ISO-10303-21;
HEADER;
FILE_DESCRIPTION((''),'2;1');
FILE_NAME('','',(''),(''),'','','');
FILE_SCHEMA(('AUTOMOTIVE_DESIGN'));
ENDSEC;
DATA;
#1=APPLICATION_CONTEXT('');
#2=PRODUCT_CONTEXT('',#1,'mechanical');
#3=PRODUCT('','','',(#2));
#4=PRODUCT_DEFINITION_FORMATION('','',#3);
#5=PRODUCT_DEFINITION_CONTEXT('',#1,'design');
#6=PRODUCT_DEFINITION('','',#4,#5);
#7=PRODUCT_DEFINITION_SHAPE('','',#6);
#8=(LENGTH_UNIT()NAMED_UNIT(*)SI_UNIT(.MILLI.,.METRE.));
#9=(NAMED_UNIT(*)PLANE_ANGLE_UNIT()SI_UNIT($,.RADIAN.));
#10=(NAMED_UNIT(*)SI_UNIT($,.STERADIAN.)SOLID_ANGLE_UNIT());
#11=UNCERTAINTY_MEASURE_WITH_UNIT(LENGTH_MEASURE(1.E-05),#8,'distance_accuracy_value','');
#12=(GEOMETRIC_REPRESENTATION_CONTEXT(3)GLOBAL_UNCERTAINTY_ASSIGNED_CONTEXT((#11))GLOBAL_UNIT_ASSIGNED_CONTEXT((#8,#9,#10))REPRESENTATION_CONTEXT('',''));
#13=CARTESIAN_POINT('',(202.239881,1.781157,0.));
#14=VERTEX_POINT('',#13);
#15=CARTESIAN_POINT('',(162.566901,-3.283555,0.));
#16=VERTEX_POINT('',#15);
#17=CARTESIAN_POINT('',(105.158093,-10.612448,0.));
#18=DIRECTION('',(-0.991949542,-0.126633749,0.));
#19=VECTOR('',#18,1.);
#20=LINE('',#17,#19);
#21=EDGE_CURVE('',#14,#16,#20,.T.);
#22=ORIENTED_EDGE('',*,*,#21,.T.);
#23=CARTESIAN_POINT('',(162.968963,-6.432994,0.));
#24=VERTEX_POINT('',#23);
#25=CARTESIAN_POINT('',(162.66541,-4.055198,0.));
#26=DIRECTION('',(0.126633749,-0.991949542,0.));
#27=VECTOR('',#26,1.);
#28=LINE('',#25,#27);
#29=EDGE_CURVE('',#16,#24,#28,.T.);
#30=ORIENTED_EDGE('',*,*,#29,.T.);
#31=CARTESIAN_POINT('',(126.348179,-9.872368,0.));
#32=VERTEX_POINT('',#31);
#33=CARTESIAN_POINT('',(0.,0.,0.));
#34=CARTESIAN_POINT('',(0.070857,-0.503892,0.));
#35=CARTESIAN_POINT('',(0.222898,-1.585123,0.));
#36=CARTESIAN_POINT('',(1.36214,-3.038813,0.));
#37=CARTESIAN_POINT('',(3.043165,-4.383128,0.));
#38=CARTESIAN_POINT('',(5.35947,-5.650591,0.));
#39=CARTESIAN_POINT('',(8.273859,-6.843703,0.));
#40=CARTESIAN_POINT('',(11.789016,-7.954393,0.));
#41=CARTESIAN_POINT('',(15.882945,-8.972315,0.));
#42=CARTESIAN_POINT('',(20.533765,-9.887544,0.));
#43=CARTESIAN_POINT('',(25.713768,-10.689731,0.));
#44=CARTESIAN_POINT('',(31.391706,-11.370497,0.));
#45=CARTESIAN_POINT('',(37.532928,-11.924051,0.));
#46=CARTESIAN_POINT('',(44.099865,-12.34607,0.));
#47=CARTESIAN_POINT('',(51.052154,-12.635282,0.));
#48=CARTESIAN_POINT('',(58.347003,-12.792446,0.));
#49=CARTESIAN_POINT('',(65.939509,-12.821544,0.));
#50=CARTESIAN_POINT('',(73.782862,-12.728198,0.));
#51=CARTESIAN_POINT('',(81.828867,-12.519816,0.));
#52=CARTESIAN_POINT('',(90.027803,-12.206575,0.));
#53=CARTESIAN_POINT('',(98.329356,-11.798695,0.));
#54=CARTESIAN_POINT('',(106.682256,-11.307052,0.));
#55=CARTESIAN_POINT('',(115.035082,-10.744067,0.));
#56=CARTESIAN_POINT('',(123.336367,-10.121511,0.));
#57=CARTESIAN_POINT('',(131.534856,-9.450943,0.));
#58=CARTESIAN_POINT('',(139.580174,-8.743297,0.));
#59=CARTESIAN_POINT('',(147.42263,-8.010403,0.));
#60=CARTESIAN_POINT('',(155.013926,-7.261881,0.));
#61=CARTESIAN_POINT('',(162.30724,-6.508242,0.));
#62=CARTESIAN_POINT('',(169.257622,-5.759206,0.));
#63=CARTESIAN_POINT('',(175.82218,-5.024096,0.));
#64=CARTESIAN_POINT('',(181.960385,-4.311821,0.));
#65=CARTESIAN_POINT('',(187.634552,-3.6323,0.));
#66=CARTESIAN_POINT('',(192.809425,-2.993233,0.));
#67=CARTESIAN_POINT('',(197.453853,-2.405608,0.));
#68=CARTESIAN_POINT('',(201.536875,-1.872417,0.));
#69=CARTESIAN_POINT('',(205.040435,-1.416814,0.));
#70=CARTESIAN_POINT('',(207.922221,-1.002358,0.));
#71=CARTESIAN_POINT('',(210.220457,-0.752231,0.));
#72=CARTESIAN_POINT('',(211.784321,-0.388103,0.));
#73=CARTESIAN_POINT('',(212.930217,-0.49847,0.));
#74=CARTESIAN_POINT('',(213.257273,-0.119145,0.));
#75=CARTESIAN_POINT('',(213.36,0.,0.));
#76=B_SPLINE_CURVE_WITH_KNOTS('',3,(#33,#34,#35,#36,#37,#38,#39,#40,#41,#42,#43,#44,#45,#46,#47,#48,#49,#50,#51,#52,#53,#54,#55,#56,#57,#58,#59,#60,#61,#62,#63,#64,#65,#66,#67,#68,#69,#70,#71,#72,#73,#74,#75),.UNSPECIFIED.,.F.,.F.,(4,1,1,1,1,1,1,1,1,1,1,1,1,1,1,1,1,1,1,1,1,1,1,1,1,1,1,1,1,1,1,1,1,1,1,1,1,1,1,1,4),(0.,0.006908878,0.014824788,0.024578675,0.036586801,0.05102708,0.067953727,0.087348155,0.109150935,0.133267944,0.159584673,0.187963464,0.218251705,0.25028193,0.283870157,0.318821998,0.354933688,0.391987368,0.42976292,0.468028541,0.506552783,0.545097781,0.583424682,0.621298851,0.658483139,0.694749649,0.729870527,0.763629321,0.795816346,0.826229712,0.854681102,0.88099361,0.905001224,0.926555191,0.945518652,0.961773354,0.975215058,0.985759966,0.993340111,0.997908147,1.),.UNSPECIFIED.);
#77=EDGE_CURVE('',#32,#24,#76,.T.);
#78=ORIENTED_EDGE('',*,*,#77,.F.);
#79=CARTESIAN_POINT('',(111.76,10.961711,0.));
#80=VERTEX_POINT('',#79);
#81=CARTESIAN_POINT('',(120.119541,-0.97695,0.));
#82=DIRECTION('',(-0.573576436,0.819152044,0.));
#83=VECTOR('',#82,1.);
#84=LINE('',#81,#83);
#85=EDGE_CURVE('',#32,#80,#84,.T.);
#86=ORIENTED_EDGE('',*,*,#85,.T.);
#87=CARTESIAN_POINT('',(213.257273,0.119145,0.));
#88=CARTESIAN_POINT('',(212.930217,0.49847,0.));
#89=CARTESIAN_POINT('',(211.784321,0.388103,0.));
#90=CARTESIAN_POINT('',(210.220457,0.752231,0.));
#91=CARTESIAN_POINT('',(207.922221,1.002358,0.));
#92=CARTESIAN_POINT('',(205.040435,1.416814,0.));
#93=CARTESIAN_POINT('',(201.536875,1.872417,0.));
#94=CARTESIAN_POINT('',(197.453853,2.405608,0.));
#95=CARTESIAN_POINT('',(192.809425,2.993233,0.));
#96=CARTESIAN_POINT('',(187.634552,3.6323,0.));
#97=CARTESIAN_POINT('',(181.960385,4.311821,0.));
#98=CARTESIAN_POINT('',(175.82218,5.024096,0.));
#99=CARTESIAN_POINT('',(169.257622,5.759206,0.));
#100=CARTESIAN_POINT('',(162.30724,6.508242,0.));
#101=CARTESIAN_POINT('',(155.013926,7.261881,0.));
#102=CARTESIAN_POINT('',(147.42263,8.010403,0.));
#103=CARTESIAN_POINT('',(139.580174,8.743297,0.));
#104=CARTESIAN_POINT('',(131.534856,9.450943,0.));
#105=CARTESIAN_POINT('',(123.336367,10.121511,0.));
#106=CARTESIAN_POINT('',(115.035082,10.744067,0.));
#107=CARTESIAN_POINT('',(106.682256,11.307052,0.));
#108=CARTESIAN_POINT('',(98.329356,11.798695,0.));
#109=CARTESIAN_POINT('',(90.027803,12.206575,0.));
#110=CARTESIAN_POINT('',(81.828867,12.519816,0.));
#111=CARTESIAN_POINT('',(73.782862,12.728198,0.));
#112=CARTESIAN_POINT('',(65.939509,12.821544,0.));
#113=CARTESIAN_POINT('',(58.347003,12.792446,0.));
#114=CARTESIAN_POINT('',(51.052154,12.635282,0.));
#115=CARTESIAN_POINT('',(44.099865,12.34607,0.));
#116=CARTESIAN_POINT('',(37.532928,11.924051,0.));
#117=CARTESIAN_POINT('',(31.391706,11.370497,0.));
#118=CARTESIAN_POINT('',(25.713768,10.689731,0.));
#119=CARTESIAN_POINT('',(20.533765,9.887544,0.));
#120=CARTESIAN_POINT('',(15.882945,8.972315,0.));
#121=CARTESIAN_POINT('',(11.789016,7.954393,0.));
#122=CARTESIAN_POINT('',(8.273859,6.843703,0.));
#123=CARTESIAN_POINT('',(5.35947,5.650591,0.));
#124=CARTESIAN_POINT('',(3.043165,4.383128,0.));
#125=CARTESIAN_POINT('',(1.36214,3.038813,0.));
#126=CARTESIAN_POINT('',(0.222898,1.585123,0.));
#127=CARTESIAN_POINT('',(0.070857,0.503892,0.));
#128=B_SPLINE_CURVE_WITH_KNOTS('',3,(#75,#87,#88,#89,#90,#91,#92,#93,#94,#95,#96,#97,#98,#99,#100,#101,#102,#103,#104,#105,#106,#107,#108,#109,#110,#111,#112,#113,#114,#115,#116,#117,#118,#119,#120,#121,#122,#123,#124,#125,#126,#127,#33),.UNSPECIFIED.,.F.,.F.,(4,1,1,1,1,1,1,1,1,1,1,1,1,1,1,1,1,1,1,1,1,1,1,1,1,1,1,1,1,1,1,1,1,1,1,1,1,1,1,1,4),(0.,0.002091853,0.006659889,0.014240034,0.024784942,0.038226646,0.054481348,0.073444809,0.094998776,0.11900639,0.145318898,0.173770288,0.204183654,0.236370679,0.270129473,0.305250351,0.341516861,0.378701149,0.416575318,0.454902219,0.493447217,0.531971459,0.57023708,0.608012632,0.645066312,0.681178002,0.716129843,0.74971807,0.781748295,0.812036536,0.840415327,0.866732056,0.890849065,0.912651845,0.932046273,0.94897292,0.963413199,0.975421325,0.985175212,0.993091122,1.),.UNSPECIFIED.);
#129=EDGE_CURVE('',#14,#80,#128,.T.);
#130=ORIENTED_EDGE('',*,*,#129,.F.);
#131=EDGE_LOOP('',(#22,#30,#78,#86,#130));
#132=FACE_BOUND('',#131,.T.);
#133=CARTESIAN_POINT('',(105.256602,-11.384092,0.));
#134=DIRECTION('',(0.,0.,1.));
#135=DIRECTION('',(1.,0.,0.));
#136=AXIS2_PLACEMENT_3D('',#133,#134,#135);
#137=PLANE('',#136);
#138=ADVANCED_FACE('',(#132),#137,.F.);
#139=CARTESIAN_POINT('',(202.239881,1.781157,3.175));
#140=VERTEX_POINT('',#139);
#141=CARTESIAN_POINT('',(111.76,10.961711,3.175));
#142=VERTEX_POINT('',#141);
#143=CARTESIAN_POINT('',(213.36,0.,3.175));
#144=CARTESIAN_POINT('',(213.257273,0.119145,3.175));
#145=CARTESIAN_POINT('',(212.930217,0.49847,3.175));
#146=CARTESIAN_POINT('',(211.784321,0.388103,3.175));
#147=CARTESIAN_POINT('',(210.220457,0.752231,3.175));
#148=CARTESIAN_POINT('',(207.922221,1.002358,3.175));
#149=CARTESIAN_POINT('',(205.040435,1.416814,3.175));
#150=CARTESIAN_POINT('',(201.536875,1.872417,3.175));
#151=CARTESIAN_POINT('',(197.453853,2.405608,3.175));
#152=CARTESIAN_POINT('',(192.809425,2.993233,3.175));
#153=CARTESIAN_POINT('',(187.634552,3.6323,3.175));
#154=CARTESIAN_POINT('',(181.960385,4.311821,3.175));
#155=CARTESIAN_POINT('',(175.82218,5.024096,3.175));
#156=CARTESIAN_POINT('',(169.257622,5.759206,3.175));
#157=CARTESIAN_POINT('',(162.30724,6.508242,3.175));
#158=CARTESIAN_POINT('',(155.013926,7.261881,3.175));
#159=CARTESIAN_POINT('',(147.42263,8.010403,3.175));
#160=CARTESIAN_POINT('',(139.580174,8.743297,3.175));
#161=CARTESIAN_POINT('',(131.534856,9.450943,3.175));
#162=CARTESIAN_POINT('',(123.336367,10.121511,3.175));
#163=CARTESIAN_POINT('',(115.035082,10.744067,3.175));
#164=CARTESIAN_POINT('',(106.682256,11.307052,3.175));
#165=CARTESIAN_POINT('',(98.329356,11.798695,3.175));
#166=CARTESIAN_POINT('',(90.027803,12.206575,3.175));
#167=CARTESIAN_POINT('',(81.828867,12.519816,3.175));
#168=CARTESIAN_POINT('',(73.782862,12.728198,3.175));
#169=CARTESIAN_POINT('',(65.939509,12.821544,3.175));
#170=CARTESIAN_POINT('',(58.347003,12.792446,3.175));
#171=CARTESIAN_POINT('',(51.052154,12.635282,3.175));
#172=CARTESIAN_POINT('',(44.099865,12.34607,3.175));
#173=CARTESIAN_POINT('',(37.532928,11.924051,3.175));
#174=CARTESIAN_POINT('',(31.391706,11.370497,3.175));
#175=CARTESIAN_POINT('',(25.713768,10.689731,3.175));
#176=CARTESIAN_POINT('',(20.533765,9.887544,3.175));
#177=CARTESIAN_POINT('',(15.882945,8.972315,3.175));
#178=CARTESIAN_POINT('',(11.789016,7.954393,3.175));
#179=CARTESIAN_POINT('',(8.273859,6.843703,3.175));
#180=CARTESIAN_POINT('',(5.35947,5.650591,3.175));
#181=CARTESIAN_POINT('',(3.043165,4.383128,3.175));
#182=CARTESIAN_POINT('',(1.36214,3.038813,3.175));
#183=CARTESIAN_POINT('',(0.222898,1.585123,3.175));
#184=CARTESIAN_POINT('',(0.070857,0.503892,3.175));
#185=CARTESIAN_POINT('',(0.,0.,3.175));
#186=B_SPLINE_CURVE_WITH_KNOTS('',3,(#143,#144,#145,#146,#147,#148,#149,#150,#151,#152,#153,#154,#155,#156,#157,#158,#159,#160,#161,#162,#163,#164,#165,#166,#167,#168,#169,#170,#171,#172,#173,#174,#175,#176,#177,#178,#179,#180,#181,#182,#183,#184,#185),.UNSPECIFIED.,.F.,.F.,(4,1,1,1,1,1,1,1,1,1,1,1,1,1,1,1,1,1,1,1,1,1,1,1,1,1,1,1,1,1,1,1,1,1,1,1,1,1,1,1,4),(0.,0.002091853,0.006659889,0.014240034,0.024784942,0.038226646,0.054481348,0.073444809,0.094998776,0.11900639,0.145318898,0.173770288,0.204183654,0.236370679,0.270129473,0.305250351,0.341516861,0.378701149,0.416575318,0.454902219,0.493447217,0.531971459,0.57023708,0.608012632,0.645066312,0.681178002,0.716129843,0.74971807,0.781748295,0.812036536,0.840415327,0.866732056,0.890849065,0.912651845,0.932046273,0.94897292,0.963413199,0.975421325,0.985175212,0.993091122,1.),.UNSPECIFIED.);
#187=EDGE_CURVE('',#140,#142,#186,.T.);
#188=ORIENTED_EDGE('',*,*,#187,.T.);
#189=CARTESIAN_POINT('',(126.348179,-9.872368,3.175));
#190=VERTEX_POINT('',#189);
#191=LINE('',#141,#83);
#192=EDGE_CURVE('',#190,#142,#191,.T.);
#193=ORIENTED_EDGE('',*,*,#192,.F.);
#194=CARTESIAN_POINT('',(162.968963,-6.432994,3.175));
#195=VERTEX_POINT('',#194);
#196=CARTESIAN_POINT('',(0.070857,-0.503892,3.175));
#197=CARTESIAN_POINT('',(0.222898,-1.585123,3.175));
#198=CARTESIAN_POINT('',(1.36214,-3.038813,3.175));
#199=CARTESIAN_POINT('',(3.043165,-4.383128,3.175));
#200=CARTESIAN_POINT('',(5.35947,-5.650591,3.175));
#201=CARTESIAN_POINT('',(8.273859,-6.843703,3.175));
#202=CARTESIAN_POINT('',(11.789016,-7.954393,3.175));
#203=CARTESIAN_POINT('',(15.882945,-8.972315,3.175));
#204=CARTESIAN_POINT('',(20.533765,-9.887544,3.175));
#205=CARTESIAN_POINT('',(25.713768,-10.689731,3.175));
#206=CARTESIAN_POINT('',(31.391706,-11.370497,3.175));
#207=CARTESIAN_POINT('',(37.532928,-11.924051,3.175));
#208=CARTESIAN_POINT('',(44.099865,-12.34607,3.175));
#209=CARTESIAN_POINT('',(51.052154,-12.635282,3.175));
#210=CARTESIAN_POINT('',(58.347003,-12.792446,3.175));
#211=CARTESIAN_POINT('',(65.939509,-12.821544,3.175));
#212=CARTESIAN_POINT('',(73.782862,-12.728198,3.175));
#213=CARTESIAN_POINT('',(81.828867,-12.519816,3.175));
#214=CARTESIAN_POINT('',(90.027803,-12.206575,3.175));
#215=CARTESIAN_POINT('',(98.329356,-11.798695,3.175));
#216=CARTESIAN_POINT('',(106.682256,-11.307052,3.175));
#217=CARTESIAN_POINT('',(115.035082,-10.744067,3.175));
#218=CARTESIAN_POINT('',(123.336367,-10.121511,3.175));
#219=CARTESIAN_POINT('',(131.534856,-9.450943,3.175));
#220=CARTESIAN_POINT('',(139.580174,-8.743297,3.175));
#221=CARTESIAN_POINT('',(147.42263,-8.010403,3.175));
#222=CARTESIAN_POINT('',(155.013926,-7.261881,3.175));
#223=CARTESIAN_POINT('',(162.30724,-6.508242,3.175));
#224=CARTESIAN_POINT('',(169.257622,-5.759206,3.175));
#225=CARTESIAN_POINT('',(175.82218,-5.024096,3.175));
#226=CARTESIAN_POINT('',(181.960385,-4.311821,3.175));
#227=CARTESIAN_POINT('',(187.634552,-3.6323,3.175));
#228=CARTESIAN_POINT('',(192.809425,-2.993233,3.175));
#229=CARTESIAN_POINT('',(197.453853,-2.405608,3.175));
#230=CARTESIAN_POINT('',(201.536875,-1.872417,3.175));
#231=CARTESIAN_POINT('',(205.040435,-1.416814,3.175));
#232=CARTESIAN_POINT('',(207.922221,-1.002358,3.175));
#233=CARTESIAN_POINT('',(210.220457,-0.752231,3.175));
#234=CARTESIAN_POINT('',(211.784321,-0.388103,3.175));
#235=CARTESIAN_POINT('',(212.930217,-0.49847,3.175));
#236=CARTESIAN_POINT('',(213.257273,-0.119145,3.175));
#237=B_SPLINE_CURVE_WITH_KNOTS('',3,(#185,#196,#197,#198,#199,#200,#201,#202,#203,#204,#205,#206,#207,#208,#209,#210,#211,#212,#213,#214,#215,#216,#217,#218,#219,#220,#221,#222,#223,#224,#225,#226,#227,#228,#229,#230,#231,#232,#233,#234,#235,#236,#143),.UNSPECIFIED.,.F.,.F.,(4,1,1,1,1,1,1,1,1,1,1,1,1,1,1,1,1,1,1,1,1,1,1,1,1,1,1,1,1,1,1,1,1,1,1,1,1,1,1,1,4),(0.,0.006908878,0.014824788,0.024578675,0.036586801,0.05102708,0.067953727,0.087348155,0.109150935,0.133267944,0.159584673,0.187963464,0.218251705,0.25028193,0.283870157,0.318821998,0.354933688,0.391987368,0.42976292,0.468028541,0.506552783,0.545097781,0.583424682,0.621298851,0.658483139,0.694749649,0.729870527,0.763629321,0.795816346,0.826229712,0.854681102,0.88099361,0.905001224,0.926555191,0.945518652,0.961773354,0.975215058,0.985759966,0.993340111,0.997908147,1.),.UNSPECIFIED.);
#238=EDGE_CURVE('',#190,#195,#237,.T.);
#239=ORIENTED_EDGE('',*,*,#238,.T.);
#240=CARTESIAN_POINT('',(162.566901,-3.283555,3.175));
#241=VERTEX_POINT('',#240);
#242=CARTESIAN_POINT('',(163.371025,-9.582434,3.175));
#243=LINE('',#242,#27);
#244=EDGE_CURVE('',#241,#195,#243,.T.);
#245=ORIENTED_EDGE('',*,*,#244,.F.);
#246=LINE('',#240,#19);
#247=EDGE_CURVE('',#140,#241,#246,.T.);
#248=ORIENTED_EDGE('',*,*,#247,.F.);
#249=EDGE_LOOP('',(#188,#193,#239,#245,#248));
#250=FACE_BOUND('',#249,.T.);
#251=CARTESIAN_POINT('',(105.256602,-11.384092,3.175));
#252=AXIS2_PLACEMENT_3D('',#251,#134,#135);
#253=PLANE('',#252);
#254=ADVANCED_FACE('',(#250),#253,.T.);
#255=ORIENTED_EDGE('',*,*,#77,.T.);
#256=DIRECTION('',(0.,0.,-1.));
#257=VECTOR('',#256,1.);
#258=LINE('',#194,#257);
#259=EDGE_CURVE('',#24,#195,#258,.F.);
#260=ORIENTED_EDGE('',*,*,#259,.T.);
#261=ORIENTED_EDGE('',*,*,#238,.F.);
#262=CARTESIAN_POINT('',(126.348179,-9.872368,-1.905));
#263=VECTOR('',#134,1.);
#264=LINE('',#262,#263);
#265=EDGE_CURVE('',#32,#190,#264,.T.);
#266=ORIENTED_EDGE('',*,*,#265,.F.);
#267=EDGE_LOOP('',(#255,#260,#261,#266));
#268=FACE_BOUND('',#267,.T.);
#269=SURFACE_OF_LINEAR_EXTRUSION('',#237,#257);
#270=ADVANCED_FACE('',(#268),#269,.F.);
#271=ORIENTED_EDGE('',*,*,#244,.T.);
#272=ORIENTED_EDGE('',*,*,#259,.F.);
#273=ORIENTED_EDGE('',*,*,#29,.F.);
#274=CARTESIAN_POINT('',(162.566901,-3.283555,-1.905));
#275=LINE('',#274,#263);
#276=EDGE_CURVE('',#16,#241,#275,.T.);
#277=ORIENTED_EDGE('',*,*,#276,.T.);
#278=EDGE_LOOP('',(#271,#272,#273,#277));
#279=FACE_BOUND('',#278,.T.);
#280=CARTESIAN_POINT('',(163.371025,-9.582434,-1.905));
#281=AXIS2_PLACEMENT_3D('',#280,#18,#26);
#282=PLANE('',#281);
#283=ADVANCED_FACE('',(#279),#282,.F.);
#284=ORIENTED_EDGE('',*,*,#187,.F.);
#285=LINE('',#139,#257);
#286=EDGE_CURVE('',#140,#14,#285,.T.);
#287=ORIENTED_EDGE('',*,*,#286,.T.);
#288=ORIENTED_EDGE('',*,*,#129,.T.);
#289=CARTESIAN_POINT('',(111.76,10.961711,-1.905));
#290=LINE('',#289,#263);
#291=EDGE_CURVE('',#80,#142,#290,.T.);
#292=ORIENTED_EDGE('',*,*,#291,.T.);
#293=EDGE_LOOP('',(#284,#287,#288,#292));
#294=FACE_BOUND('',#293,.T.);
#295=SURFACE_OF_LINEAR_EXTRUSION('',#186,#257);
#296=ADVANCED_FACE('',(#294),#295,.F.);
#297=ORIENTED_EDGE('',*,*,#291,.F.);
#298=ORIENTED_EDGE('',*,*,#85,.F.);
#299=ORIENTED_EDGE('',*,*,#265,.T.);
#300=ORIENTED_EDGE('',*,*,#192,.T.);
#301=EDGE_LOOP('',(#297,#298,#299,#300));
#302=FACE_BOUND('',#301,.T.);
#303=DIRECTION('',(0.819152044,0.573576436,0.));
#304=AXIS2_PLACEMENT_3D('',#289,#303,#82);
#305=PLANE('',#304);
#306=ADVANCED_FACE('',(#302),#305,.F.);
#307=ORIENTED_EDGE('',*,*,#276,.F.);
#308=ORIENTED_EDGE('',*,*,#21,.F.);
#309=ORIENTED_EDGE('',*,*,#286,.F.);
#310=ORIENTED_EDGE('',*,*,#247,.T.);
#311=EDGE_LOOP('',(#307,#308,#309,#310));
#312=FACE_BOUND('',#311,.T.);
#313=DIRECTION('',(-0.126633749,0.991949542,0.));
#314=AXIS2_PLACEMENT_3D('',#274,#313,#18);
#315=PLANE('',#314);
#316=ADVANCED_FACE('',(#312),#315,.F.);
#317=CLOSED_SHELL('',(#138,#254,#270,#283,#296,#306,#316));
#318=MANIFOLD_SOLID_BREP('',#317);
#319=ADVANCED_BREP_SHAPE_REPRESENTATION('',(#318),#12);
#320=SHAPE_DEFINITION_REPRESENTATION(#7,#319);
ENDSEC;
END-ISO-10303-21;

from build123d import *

# Parameters (mm, degrees)
BOSS_EXTRUDE1_DEPTH = 3.175
CUT_EXTRUDE1_DEPTH  = 5.08


with BuildPart() as part:
    # Sketch2 → Boss-Extrude1 (new body)
    with BuildSketch(Plane.XY):
        with BuildLine():
            add(Edge.make_bspline(
                [(213.36, 0), (213.257272793, 0.119144956), (212.930217359, 0.49847003), (211.784320833, 0.388103102), (210.220456583, 0.752231195), (207.922221089, 1.002358459), (205.040435451, 1.416814194), (201.53687476, 1.872417288), (197.453852985, 2.405608245), (192.809425036, 2.993232985), (187.634552437, 3.632300405), (181.96038472, 4.311820743), (175.822180186, 5.024095776), (169.257621951, 5.759205624), (162.307240439, 6.508241756), (155.013925984, 7.261881453), (147.42262952, 8.010402764), (139.580173762, 8.743297071), (131.534856191, 9.450943444), (123.336366748, 10.121511173), (115.035081585, 10.744066661), (106.682256297, 11.307051658), (98.329355975, 11.798694638), (90.027802971, 12.206574858), (81.828867412, 12.519815813), (73.782861936, 12.728198408), (65.939509207, 12.821544448), (58.347003411, 12.792445951), (51.052154229, 12.635282307), (44.099865123, 12.34606959), (37.532927606, 11.924051264), (31.391706263, 11.370497155), (25.713767757, 10.689730544), (20.533764615, 9.887543747), (15.882945038, 8.97231492), (11.789015751, 7.954392799), (8.273858988, 6.843703394), (5.359469774, 5.650591236), (3.043164975, 4.383128287), (1.36213983, 3.038812968), (0.222897845, 1.585123236), (0.070856618, 0.503892135), (0, 0)],
                knots=[0, 0, 0, 0, 0.002091853, 0.006659889, 0.014240034, 0.024784942, 0.038226646, 0.054481348, 0.073444809, 0.094998776, 0.11900639, 0.145318898, 0.173770288, 0.204183654, 0.236370679, 0.270129473, 0.305250351, 0.341516861, 0.378701149, 0.416575318, 0.454902219, 0.493447217, 0.531971459, 0.57023708, 0.608012632, 0.645066312, 0.681178002, 0.716129843, 0.74971807, 0.781748295, 0.812036536, 0.840415327, 0.866732056, 0.890849065, 0.912651845, 0.932046273, 0.94897292, 0.963413199, 0.975421325, 0.985175212, 0.993091122, 1, 1, 1, 1], degree=3))
            add(Edge.make_bspline(
                [(213.36, 0), (213.257272793, -0.119144956), (212.930217359, -0.49847003), (211.784320833, -0.388103102), (210.220456583, -0.752231195), (207.922221089, -1.002358459), (205.040435451, -1.416814194), (201.53687476, -1.872417288), (197.453852985, -2.405608245), (192.809425036, -2.993232985), (187.634552437, -3.632300405), (181.96038472, -4.311820743), (175.822180186, -5.024095776), (169.257621951, -5.759205624), (162.307240439, -6.508241756), (155.013925984, -7.261881453), (147.42262952, -8.010402764), (139.580173762, -8.743297071), (131.534856191, -9.450943444), (123.336366748, -10.121511173), (115.035081585, -10.744066661), (106.682256297, -11.307051658), (98.329355975, -11.798694638), (90.027802971, -12.206574858), (81.828867412, -12.519815813), (73.782861936, -12.728198408), (65.939509207, -12.821544448), (58.347003411, -12.792445951), (51.052154229, -12.635282307), (44.099865123, -12.34606959), (37.532927606, -11.924051264), (31.391706263, -11.370497155), (25.713767757, -10.689730544), (20.533764615, -9.887543747), (15.882945038, -8.97231492), (11.789015751, -7.954392799), (8.273858988, -6.843703394), (5.359469774, -5.650591236), (3.043164975, -4.383128287), (1.36213983, -3.038812968), (0.222897845, -1.585123236), (0.070856618, -0.503892135), (0, 0)],
                knots=[0, 0, 0, 0, 0.002091853, 0.006659889, 0.014240034, 0.024784942, 0.038226646, 0.054481348, 0.073444809, 0.094998776, 0.11900639, 0.145318898, 0.173770288, 0.204183654, 0.236370679, 0.270129473, 0.305250351, 0.341516861, 0.378701149, 0.416575318, 0.454902219, 0.493447217, 0.531971459, 0.57023708, 0.608012632, 0.645066312, 0.681178002, 0.716129843, 0.74971807, 0.781748295, 0.812036536, 0.840415327, 0.866732056, 0.890849065, 0.912651845, 0.932046273, 0.94897292, 0.963413199, 0.975421325, 0.985175212, 0.993091122, 1, 1, 1, 1], degree=3))
        make_face()
    extrude(amount=BOSS_EXTRUDE1_DEPTH)

    # Sketch3 → Cut-Extrude1 (cut)
    with BuildSketch(Plane.XY.offset(3.175)):
        Polygon((111.76, 10.961711107), (126.348178921, -9.872367542), (126.348178921, -50.8), (0, -50.8), (0, 0), (0, 50.8), (111.76, 50.8), align=None)
        Polygon((163.371025422, -9.582434223), (213.762062152, -3.149439796), (212.957937848, 3.149439796), (162.566901119, -3.283554632), align=None)
    extrude(amount=-CUT_EXTRUDE1_DEPTH, mode=Mode.SUBTRACT)


solid = part.part
